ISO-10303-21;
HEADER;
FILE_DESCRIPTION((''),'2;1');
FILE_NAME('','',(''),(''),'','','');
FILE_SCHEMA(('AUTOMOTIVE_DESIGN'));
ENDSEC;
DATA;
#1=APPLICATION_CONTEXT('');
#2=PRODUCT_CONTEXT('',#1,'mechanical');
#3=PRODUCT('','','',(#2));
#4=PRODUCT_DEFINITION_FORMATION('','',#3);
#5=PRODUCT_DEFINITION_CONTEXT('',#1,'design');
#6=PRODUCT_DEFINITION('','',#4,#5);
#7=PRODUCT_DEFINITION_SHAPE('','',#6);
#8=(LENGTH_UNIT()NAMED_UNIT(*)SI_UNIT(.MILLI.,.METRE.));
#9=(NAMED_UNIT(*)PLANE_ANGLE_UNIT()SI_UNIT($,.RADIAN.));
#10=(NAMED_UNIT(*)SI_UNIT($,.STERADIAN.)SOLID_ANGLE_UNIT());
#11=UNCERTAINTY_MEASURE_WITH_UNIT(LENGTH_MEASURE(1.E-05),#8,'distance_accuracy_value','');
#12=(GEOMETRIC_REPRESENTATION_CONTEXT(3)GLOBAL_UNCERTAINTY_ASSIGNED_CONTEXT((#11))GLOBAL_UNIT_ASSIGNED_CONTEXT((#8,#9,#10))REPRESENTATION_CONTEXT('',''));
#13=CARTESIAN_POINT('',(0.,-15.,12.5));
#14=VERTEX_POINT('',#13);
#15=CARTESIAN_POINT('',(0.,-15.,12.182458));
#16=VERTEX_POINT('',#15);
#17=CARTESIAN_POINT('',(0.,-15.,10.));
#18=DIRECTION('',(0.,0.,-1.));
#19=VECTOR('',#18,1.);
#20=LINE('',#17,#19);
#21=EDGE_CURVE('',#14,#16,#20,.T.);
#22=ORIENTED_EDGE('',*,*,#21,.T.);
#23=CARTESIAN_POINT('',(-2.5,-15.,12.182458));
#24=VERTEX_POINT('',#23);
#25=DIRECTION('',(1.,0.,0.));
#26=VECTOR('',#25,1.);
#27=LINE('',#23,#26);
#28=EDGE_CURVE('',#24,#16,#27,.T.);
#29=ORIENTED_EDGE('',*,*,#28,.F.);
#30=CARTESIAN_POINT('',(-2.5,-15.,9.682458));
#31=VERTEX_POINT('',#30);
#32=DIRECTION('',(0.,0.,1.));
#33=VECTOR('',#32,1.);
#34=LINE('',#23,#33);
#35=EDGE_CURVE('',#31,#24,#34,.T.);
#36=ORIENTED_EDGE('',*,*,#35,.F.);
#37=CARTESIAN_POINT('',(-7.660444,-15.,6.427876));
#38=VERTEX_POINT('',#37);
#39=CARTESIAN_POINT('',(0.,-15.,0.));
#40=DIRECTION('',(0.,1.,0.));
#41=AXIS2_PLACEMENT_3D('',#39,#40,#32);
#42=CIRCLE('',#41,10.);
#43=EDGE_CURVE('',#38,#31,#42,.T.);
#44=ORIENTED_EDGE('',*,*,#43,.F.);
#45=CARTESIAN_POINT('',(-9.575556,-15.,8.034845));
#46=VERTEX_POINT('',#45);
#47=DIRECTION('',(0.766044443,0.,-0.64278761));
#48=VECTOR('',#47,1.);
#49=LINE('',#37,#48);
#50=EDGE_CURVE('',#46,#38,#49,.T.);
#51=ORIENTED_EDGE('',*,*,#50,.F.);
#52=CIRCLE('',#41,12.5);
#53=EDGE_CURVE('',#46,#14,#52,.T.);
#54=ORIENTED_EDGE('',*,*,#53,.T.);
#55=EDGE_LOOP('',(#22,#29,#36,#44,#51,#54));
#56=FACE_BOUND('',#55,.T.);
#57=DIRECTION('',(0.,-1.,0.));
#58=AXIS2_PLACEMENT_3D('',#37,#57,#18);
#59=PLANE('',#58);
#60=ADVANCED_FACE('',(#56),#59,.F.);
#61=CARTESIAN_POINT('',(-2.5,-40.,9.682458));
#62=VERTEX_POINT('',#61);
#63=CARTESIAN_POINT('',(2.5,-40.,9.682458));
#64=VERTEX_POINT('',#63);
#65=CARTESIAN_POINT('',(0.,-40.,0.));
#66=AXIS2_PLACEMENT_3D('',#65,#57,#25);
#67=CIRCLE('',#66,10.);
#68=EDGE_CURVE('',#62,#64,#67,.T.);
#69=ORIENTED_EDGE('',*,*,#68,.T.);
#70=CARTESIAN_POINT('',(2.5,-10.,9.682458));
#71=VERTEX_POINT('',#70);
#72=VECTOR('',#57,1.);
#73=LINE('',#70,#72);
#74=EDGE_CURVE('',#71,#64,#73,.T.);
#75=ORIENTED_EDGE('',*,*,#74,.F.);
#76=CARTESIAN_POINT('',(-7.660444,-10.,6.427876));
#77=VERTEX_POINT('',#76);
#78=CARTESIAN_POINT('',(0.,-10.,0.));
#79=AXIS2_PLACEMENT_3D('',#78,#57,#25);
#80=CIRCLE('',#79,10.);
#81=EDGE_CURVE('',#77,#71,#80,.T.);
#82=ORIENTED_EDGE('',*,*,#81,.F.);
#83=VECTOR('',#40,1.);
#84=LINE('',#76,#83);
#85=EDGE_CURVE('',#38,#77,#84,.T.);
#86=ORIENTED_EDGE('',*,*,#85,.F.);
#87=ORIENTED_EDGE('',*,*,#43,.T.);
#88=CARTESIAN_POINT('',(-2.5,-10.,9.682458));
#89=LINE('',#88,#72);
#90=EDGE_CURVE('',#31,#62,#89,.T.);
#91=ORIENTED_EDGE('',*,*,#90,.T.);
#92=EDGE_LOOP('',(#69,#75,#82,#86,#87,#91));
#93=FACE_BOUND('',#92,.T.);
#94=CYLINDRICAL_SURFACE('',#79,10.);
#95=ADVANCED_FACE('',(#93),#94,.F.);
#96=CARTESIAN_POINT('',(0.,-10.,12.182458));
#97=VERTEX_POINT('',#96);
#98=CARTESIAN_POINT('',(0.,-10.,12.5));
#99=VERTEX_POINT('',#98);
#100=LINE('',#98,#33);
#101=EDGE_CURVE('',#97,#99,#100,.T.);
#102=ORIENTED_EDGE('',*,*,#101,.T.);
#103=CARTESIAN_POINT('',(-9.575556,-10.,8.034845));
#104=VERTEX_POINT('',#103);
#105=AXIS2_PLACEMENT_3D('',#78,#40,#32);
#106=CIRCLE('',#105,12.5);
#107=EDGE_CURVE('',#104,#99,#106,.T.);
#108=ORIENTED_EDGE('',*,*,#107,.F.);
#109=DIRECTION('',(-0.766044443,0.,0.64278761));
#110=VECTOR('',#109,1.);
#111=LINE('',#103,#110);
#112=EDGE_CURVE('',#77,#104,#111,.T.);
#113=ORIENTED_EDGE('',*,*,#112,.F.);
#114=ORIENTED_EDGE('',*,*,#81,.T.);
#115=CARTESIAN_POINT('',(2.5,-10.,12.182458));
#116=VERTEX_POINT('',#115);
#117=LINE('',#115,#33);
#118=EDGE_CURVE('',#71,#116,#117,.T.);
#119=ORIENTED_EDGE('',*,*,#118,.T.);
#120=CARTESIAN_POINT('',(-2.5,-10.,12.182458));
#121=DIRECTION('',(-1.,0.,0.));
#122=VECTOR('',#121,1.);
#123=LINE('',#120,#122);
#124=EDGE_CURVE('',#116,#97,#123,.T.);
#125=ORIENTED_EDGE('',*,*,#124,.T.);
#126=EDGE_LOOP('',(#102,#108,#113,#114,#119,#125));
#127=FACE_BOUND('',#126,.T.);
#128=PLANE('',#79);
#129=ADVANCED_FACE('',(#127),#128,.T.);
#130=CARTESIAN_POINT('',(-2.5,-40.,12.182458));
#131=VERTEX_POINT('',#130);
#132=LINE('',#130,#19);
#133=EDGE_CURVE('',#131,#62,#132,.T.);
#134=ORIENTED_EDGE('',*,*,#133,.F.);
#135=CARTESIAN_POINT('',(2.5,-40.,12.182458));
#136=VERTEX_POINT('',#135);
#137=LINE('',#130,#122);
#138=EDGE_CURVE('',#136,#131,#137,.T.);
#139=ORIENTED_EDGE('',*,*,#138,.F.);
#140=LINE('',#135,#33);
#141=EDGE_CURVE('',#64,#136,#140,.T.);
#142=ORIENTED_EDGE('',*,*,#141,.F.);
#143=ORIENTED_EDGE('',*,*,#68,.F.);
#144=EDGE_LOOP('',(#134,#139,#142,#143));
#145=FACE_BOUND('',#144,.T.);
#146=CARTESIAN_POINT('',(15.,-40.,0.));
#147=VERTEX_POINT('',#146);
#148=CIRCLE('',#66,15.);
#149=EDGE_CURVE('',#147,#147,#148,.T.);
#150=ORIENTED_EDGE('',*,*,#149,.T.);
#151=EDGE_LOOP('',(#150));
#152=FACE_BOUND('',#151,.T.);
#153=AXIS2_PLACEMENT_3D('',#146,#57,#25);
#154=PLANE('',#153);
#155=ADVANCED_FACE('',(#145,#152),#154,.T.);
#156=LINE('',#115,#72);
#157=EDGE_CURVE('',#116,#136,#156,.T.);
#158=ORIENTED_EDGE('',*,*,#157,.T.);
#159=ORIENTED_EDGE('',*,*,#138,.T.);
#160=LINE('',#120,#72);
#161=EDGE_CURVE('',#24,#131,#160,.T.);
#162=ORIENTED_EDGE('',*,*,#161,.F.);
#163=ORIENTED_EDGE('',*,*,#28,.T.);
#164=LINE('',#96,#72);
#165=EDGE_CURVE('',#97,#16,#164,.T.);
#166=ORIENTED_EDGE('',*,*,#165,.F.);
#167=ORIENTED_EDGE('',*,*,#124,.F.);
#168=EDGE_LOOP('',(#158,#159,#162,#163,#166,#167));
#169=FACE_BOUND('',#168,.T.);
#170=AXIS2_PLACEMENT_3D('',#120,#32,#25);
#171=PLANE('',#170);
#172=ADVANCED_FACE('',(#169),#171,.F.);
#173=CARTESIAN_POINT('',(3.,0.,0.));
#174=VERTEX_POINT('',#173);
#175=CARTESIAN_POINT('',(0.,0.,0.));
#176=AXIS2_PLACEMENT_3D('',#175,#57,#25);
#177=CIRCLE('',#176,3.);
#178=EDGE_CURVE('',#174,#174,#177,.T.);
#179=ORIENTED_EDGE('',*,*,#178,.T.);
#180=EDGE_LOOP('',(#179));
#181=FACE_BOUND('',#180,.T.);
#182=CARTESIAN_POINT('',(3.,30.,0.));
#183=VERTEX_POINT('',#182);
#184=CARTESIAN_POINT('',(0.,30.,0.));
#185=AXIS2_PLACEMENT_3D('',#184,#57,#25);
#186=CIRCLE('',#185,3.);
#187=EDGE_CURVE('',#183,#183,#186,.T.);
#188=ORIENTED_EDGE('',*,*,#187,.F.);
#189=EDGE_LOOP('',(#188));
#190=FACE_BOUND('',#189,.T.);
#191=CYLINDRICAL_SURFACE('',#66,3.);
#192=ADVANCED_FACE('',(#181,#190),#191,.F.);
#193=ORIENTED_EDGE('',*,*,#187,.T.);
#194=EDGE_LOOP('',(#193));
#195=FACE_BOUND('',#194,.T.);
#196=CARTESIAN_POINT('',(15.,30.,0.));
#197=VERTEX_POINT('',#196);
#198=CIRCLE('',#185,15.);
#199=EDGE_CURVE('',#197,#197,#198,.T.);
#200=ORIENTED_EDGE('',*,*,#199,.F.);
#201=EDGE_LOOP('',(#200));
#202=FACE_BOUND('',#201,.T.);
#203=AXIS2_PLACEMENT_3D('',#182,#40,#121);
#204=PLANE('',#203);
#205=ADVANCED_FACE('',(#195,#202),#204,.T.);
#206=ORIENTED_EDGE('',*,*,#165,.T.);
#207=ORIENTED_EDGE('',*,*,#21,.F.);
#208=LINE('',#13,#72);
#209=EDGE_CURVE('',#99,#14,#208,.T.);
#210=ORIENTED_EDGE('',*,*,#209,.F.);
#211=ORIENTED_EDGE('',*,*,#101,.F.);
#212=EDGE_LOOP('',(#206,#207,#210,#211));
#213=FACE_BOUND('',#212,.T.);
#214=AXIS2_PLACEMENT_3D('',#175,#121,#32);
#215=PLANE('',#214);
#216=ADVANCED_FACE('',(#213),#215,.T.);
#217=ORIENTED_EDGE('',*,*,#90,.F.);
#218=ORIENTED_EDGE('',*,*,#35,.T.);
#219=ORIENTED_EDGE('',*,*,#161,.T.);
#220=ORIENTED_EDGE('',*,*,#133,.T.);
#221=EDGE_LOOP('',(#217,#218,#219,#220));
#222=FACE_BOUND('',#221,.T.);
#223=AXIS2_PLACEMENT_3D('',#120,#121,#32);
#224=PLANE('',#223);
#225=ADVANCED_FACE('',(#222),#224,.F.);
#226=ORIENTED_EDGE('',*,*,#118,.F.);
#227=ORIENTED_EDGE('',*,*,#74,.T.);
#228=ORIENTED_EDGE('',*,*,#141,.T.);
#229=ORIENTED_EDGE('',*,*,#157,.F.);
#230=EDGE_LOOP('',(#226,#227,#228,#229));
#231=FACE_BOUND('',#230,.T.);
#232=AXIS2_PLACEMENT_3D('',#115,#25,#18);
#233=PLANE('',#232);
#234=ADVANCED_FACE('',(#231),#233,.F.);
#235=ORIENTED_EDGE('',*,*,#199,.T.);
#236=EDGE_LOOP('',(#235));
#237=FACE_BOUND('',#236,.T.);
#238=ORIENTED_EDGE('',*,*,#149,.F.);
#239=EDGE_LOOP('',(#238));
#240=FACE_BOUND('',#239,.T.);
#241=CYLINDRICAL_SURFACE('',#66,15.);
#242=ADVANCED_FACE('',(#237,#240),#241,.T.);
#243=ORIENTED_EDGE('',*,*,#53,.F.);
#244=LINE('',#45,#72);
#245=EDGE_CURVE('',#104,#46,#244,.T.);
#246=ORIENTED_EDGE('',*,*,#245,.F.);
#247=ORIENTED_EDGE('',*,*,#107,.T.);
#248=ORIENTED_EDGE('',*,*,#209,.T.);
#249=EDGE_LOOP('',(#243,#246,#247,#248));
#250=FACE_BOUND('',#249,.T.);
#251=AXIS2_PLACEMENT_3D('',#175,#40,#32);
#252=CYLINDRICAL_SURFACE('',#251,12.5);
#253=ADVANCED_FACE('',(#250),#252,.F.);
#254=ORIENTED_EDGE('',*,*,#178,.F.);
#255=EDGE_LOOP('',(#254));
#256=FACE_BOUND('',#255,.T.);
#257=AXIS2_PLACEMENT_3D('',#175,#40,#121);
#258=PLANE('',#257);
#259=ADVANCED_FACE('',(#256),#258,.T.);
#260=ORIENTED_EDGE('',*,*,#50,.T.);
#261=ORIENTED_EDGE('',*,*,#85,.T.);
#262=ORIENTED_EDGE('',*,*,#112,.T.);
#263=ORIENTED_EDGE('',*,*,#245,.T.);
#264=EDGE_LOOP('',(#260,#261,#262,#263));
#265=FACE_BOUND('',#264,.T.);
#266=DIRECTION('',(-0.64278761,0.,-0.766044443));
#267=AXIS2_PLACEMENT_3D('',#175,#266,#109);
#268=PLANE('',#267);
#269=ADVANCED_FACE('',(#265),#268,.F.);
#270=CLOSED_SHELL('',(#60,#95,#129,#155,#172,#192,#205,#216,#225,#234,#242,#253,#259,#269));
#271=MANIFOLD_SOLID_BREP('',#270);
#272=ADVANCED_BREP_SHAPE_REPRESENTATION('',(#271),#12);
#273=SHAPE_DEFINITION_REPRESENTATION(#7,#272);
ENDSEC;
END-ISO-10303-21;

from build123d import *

# Parameters (mm, degrees)
CUT_EXTRUDE2_DEPTH = 30
SKETCH6_W          = 2.5
SKETCH6_H          = 5
CUT_REVOLVE1_ANGLE = 50


with BuildPart() as part:
    # Sketch1 → Revolve1 (revolve)
    with BuildSketch(Plane.XY):
        Polygon((3, 30), (15, 30), (15, -40), (0, -40), (0, 0), (3, 0), align=None)
    revolve(axis=Axis((0, -40, 0), (0, 1, 0)))

    # Sketch3 → Cut-Extrude2 (cut)
    with BuildSketch(Plane.XZ.offset(40)):
        with BuildLine():
            Line((-2.5, 12.182458366), (-2.5, 9.682458366))
            ThreePointArc((-2.5, 9.682458366), (0, -10), (2.5, 9.682458366))
            Line((2.5, 9.682458366), (2.5, 12.182458366))
            Line((2.5, 12.182458366), (-2.5, 12.182458366))
        make_face()
    extrude(amount=-CUT_EXTRUDE2_DEPTH, mode=Mode.SUBTRACT)

    # Sketch6 → Cut-Revolve1 (revolve, cut)
    with BuildSketch(Plane(origin=(0, 0, 0), x_dir=(0, 0, -1), z_dir=(1, 0, 0))):
        with Locations((-11.25, -12.5)):
            Rectangle(SKETCH6_W, SKETCH6_H)
    revolve(axis=Axis((0, 0, 0), (0, -1, 0)), revolution_arc=CUT_REVOLVE1_ANGLE, mode=Mode.SUBTRACT)


solid = part.part
